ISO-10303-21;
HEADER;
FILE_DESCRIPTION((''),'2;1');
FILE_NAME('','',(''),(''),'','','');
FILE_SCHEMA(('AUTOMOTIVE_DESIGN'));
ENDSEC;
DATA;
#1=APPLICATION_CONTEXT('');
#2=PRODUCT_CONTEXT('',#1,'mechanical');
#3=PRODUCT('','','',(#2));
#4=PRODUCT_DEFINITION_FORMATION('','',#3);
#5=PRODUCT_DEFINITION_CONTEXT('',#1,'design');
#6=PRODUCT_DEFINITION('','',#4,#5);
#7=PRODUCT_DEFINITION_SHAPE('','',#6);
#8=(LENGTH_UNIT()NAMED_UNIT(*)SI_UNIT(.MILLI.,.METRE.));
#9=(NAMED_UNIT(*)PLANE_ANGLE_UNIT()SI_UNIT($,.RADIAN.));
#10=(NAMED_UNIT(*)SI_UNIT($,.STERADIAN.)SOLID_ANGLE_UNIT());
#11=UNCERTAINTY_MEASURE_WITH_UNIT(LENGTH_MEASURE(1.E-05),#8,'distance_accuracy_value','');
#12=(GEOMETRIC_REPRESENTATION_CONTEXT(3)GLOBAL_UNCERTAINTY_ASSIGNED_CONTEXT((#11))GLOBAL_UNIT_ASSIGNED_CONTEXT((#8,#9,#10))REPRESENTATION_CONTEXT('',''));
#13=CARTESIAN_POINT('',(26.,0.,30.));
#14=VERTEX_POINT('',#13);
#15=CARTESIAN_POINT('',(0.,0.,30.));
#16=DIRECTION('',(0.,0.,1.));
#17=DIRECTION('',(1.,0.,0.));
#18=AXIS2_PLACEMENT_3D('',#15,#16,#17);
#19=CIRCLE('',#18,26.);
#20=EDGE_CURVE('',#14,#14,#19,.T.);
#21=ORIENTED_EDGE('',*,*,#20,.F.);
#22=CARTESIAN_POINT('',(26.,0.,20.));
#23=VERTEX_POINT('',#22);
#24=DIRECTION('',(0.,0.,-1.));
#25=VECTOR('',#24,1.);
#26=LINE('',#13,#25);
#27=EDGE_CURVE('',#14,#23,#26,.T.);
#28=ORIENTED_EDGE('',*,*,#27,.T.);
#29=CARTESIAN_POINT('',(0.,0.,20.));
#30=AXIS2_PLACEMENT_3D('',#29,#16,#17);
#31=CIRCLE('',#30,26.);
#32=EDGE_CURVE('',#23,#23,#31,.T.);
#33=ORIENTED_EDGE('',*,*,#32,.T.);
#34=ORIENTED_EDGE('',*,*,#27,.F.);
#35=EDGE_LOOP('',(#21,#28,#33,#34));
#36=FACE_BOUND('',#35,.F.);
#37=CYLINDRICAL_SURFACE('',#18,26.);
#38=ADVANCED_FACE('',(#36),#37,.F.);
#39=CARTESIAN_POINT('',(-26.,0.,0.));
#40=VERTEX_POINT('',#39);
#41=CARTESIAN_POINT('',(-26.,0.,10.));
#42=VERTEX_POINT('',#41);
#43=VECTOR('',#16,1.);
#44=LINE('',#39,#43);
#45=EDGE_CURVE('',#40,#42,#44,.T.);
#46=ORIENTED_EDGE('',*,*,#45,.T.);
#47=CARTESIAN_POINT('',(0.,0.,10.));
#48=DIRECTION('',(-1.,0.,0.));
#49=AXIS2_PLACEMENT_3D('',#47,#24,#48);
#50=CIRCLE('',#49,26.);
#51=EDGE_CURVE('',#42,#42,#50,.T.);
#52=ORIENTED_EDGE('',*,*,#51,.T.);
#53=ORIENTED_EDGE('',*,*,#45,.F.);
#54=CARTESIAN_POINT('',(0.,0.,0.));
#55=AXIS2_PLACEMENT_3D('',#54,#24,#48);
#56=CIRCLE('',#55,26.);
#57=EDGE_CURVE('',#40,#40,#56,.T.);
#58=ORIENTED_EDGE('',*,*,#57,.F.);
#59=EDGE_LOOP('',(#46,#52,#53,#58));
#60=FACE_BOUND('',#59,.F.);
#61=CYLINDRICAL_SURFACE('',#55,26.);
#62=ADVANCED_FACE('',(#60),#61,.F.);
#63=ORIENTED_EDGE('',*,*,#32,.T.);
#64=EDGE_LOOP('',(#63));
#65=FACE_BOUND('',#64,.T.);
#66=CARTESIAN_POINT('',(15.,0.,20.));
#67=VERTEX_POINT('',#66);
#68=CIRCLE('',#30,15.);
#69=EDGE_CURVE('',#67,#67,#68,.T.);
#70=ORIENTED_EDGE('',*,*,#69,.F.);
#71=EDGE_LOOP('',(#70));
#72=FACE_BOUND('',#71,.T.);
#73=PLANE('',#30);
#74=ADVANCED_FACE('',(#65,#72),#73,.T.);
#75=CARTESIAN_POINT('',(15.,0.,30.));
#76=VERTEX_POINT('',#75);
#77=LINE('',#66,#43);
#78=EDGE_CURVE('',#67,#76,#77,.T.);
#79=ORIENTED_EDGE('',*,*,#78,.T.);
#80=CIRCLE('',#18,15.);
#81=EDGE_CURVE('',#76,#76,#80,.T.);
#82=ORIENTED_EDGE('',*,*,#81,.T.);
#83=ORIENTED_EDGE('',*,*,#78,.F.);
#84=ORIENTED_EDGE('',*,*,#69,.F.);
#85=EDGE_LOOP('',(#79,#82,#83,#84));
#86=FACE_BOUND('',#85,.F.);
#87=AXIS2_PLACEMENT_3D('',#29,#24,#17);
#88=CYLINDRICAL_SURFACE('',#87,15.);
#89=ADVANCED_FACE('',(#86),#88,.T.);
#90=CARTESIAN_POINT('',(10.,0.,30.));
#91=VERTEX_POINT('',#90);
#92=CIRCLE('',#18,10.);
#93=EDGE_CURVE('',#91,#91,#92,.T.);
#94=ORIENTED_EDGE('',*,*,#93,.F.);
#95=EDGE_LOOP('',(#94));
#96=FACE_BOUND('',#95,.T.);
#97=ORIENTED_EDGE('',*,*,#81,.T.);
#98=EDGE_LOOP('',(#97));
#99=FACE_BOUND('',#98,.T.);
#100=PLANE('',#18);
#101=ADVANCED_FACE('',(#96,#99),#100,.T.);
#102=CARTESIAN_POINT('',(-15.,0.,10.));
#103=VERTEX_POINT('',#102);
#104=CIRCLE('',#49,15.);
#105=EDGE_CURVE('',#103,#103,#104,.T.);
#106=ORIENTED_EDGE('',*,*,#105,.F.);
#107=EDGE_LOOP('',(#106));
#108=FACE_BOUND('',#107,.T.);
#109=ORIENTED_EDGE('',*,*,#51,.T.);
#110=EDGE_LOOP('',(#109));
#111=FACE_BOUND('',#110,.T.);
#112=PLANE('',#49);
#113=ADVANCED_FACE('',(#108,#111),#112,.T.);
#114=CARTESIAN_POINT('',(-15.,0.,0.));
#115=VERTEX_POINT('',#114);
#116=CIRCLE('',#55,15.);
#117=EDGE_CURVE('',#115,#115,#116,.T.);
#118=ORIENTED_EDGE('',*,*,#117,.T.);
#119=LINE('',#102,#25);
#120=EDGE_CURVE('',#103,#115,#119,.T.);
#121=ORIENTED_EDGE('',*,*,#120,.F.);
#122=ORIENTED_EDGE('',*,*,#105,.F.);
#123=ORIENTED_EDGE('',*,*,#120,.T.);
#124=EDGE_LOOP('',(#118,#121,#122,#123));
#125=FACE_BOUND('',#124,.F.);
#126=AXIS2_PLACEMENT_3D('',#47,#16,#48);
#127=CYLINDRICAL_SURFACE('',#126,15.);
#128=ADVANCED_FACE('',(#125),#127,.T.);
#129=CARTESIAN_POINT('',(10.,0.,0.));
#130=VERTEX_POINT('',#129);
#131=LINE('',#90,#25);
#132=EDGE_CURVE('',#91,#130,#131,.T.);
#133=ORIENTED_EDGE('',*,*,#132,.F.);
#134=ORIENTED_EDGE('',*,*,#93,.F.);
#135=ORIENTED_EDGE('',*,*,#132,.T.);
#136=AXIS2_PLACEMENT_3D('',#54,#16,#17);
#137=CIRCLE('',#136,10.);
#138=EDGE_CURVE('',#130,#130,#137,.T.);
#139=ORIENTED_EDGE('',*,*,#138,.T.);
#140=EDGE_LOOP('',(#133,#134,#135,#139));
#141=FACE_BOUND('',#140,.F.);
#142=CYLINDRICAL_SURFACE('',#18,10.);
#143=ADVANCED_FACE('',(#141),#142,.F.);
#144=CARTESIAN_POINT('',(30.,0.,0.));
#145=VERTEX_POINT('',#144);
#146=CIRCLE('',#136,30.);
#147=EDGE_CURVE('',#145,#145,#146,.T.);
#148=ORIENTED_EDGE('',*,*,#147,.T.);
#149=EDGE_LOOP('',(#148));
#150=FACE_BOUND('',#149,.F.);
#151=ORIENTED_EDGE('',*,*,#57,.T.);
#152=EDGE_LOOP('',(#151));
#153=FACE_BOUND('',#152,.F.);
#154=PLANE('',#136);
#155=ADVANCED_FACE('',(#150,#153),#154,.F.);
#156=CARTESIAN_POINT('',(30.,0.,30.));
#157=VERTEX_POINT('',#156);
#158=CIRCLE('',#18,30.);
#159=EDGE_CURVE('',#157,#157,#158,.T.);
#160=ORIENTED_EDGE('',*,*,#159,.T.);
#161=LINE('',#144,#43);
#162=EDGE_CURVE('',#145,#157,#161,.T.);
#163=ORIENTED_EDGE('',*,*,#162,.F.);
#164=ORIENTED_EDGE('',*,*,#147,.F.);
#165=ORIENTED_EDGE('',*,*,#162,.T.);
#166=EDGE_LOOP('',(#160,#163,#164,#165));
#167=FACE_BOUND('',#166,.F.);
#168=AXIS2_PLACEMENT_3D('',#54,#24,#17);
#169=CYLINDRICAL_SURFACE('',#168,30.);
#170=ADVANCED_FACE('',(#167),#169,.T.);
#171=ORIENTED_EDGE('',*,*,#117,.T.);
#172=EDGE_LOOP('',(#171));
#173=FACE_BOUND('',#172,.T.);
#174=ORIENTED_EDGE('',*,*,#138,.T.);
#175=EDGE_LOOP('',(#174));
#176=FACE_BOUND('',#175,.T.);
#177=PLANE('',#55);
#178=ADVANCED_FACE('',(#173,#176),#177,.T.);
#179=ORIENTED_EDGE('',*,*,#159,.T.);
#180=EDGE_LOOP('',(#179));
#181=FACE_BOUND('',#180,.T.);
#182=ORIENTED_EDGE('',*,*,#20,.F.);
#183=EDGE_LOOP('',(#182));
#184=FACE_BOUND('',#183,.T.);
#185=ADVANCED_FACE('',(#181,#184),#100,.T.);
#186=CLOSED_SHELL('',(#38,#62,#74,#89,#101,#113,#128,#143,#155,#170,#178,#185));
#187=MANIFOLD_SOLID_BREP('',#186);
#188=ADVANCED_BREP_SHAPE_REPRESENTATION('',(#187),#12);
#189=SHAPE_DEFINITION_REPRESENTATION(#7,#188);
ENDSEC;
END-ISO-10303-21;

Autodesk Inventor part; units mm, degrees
ref_plane "YZ Plane" through (0, 0, 0) normal (1, 0, 0) x (0, 1, 0)
ref_plane "XZ Plane" through (0, 0, 0) normal (0, 1, 0) x (-1, 0, 0)
ref_plane "XY Plane" through (0, 0, 0) normal (0, 0, 1) x (1, 0, 0)
sketch "Sketch1" plane through (0, 0, 0) normal (0, 0, 1) x (1, 0, 0)
  circle A0 centre (0, 0) radius 30
  dimension "d0" = 60
extrude "Extrusion1" add sketch "Sketch1" along normal blind 30
sketch "Sketch2" plane through (0, 0, 30) normal (0, 0, 1) x (1, 0, 0)
  circle A0 centre (0, 0) radius 26
  dimension "d3" = 52
extrude "Extrusion2" cut sketch "Sketch2" against normal blind 10
sketch "Sketch3" plane through (0, 0, 0) normal (0, 0, -1) x (-1, 0, 0)
  circle A0 centre (0, 0) radius 26
  dimension "d6" = 52
extrude "Extrusion3" cut sketch "Sketch3" against normal blind 10
sketch "Sketch4" plane through (0, 0, 10) normal (0, 0, -1) x (-1, 0, 0)
  circle A0 centre (0, 0) radius 15
  dimension "d9" = 30
extrude "Extrusion4" add sketch "Sketch4" along normal blind 10
sketch "Sketch5" plane through (0, 0, 20) normal (0, 0, 1) x (1, 0, 0)
  circle A0 centre (0, 0) radius 15
  dimension "d12" = 30
extrude "Extrusion5" add sketch "Sketch5" along normal blind 10
sketch "Sketch6" plane through (0, 0, 30) normal (0, 0, 1) x (1, 0, 0)
  circle A0 centre (0, 0) radius 10
  dimension "d15" = 20
extrude "Extrusion6" cut sketch "Sketch6" against normal blind 30
properties part number "4 - Part 3"
